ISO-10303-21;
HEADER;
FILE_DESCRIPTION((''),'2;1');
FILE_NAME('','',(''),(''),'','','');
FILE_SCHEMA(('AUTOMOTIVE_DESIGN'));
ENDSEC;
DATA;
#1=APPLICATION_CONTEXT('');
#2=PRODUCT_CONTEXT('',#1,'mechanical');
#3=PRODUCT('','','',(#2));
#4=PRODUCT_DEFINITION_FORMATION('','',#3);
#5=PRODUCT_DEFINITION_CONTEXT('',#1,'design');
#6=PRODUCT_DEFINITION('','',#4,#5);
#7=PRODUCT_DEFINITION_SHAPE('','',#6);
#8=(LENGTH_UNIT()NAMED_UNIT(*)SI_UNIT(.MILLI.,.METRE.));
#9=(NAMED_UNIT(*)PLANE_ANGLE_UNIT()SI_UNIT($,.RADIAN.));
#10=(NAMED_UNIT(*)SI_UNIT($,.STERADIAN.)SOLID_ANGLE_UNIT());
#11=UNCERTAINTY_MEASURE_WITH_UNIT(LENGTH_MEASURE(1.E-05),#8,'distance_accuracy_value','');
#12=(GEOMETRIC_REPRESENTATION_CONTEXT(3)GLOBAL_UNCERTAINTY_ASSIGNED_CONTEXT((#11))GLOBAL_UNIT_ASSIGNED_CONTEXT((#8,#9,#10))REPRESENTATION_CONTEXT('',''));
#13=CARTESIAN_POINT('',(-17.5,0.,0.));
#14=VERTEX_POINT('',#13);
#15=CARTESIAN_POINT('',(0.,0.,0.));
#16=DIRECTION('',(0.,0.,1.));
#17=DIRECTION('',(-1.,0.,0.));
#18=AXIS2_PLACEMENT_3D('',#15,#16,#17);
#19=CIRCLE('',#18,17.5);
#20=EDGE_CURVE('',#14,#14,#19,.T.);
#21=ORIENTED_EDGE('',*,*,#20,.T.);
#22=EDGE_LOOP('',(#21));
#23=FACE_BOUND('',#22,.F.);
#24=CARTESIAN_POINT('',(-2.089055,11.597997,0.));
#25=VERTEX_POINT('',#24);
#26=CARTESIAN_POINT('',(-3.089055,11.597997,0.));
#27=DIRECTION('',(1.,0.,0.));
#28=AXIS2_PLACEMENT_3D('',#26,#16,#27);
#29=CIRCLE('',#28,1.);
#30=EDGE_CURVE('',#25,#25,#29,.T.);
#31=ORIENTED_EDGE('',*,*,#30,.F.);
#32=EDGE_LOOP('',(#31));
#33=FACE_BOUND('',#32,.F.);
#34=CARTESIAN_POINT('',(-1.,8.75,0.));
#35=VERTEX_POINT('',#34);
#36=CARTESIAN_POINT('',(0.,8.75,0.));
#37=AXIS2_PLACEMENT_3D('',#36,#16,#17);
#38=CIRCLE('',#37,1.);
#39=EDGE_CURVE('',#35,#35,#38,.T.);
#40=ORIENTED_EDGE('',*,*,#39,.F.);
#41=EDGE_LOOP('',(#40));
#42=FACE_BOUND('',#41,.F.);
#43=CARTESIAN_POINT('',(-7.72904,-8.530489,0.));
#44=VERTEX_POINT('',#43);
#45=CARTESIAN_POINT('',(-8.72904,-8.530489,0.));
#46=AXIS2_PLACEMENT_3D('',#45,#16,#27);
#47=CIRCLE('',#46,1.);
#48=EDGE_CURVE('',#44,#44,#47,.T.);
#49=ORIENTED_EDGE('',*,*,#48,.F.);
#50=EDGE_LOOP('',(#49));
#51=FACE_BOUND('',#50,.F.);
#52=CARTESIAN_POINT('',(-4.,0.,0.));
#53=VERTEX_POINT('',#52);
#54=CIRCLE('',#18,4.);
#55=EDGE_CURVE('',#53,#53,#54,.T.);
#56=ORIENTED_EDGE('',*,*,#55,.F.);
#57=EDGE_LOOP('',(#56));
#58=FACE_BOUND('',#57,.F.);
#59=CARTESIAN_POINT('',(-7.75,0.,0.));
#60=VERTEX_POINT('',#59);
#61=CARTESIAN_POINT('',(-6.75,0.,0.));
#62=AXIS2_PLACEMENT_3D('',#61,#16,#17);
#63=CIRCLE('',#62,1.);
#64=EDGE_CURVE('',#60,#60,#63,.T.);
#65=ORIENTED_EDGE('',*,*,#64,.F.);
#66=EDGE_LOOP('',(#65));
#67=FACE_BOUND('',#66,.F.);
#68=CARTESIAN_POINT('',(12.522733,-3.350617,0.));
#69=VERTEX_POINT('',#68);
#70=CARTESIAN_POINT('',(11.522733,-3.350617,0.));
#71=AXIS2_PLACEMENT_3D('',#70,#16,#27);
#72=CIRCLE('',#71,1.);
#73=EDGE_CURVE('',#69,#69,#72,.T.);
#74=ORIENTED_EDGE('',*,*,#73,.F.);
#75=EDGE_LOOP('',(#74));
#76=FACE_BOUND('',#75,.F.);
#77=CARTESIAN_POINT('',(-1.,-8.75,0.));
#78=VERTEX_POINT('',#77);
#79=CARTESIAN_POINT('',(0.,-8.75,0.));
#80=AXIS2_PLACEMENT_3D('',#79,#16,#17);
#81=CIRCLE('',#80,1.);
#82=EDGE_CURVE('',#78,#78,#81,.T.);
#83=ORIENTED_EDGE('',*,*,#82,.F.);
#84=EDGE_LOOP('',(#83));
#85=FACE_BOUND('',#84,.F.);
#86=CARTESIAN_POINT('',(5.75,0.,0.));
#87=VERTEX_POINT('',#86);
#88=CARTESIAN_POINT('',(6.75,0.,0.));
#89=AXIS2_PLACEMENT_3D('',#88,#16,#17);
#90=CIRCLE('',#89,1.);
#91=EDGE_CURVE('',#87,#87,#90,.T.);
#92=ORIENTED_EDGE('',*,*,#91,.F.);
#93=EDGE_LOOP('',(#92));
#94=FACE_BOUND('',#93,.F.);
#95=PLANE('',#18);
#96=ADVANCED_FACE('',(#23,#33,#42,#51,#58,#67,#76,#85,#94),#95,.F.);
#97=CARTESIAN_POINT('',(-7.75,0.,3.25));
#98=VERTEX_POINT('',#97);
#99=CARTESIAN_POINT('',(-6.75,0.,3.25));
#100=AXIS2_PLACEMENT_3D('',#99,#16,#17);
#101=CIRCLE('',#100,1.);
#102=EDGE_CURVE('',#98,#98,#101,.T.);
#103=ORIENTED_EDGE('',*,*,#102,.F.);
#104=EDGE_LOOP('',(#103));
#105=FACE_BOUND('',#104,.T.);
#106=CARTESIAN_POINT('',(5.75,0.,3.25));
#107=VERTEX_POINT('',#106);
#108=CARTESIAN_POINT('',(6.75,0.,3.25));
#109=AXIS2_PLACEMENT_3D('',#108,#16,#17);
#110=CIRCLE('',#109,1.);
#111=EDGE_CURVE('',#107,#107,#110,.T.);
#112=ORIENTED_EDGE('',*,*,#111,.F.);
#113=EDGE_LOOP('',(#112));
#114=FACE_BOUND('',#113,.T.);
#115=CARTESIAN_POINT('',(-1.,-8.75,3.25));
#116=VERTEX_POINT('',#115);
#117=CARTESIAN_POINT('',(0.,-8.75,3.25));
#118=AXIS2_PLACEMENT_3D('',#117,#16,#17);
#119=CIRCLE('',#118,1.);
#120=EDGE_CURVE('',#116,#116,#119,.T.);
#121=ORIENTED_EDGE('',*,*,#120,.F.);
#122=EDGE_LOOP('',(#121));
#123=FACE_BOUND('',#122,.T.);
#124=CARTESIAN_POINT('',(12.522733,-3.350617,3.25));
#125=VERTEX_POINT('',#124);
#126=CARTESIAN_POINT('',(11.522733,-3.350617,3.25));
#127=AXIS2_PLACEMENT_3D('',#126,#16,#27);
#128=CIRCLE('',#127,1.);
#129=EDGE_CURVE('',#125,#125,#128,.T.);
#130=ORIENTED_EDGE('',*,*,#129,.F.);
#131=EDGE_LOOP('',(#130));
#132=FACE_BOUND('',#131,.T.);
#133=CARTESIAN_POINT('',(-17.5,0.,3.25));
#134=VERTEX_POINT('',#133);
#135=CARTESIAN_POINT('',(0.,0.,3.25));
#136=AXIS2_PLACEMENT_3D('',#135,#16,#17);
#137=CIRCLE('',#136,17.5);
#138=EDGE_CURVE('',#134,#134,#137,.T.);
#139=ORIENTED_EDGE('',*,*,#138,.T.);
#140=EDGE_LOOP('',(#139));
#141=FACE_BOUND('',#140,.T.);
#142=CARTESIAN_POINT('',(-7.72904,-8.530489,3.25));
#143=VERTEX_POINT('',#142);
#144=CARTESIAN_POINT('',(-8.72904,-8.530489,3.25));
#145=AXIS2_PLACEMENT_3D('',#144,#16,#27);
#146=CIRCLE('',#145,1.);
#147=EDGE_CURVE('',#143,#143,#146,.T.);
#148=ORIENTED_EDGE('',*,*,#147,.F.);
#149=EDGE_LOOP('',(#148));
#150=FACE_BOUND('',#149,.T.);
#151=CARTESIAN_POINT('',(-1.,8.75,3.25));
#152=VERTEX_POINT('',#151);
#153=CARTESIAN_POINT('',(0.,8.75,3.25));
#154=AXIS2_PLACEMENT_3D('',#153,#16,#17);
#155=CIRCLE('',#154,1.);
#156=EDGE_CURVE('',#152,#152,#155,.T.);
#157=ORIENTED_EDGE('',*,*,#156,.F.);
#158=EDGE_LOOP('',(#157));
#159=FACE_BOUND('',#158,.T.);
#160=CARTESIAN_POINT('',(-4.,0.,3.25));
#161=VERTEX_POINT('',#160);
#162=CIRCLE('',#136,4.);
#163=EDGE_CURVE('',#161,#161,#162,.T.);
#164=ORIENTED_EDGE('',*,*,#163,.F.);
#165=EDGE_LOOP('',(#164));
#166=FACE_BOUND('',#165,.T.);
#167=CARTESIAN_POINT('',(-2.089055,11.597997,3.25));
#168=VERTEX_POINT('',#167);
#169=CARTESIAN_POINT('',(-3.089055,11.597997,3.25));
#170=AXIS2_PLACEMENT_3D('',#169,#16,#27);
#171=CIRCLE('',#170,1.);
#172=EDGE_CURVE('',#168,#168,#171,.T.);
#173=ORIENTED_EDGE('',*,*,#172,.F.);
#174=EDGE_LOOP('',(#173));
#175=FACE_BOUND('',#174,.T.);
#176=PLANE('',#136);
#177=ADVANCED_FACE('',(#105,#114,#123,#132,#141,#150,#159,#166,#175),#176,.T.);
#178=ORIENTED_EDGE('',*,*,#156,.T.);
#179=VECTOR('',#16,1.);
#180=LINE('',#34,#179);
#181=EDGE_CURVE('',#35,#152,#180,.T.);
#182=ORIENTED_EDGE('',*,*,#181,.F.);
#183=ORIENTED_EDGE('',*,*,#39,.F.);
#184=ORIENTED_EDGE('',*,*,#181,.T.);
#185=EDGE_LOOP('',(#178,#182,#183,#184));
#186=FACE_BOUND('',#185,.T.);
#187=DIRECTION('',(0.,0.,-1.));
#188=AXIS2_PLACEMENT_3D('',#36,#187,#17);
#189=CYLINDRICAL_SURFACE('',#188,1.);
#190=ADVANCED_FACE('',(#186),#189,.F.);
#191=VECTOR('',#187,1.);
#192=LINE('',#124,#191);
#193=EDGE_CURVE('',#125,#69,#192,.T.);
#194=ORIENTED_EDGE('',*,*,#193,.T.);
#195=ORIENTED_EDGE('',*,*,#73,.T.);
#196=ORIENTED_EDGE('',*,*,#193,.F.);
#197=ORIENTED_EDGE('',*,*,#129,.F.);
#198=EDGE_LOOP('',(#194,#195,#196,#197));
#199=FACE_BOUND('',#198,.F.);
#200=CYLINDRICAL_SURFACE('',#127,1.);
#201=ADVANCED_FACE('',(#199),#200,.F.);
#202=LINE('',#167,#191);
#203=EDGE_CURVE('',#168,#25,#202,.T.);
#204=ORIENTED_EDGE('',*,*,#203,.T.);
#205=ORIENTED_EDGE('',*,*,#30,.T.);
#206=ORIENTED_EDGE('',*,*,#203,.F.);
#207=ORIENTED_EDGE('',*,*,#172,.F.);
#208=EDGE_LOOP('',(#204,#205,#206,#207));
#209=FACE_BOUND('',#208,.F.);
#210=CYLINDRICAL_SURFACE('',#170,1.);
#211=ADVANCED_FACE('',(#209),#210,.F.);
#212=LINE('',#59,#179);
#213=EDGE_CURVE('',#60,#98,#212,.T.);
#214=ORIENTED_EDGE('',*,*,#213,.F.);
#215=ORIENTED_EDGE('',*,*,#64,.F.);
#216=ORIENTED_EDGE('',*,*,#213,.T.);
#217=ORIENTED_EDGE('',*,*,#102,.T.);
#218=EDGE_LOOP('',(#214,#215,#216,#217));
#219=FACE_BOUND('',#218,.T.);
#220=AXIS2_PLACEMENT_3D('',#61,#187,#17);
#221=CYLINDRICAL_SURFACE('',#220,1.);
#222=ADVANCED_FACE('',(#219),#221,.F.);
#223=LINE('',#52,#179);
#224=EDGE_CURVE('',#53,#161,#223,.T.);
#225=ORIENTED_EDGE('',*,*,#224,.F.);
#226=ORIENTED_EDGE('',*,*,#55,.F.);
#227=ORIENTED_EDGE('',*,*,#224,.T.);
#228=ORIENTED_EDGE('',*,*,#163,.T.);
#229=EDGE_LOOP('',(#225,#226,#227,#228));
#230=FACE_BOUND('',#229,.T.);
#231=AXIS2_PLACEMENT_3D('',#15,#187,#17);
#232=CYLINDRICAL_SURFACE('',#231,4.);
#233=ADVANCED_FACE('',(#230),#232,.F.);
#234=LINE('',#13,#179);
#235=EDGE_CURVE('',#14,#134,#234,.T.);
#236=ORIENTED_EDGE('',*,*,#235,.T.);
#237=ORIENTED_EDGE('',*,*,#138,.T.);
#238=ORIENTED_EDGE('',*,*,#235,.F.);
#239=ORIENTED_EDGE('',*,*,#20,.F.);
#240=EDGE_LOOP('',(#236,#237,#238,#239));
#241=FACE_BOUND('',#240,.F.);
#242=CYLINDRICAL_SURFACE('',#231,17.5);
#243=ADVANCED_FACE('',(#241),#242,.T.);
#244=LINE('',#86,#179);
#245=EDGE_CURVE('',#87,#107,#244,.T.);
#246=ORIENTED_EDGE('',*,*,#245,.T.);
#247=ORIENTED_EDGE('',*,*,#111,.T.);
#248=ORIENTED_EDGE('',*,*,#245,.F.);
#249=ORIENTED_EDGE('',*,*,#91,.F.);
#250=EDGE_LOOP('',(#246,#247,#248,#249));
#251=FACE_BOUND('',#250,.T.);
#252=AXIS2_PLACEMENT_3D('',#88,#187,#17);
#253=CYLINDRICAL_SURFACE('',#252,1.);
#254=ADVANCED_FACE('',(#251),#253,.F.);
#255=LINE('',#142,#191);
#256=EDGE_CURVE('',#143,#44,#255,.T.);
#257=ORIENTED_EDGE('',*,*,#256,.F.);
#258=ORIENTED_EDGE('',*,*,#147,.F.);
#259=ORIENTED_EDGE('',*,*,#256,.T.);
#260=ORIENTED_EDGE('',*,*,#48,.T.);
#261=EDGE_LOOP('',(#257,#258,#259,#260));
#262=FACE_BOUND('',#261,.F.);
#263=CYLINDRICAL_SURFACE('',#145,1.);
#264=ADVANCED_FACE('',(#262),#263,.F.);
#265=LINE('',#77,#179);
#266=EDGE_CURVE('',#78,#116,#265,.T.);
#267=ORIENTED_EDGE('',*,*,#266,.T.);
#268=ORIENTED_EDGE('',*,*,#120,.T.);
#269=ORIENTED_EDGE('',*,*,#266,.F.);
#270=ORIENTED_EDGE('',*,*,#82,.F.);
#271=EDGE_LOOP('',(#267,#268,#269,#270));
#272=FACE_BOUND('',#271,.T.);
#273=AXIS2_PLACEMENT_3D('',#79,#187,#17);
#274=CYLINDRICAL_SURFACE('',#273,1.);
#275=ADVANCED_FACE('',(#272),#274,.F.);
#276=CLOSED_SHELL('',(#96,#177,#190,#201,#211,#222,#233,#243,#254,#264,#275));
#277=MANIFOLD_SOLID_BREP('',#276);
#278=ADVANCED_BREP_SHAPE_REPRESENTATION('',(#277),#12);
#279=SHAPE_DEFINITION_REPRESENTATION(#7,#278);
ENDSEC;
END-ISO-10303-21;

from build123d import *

# Parameters (mm, degrees)
SKETCH1_R           = 17.5
SKETCH1_R_2         = 4
SKETCH1_R_3         = 1
BOSS_EXTRUDE1_DEPTH = 3.25
SKETCH2_R           = 1
CUT_EXTRUDE1_DEPTH  = 25.961219922


with BuildPart() as part:
    # Sketch1 → Boss-Extrude1 (new body)
    with BuildSketch(Plane.XY):
        with Locations(Location((0, 0, 0), (0, 0, 180))):
            Circle(SKETCH1_R)
        with Locations(Location((0, 0, 0), (0, 0, 180))):
            Circle(SKETCH1_R_2, mode=Mode.SUBTRACT)
        with Locations(Location((6.75, 0, 0), (0, 0, 180))):
            Circle(SKETCH1_R_3, mode=Mode.SUBTRACT)
        with Locations(Location((0, 8.75, 0), (0, 0, 180))):
            Circle(SKETCH1_R_3, mode=Mode.SUBTRACT)
        with Locations(Location((0, -8.75, 0), (0, 0, 180))):
            Circle(SKETCH1_R_3, mode=Mode.SUBTRACT)
        with Locations(Location((-6.75, 0, 0), (0, 0, 180))):
            Circle(SKETCH1_R_3, mode=Mode.SUBTRACT)
    extrude(amount=BOSS_EXTRUDE1_DEPTH)

    # Sketch2 → Cut-Extrude1 (cut, through all)
    with BuildSketch(Plane.XY.offset(3.25)):
        with Locations((11.522732664, -3.350616653)):
            Circle(SKETCH2_R)
        with Locations((-8.729040356, -8.530488981)):
            Circle(SKETCH2_R)
        with Locations((-3.08905487, 11.59799709)):
            Circle(SKETCH2_R)
    extrude(amount=-CUT_EXTRUDE1_DEPTH, mode=Mode.SUBTRACT)


solid = part.part
